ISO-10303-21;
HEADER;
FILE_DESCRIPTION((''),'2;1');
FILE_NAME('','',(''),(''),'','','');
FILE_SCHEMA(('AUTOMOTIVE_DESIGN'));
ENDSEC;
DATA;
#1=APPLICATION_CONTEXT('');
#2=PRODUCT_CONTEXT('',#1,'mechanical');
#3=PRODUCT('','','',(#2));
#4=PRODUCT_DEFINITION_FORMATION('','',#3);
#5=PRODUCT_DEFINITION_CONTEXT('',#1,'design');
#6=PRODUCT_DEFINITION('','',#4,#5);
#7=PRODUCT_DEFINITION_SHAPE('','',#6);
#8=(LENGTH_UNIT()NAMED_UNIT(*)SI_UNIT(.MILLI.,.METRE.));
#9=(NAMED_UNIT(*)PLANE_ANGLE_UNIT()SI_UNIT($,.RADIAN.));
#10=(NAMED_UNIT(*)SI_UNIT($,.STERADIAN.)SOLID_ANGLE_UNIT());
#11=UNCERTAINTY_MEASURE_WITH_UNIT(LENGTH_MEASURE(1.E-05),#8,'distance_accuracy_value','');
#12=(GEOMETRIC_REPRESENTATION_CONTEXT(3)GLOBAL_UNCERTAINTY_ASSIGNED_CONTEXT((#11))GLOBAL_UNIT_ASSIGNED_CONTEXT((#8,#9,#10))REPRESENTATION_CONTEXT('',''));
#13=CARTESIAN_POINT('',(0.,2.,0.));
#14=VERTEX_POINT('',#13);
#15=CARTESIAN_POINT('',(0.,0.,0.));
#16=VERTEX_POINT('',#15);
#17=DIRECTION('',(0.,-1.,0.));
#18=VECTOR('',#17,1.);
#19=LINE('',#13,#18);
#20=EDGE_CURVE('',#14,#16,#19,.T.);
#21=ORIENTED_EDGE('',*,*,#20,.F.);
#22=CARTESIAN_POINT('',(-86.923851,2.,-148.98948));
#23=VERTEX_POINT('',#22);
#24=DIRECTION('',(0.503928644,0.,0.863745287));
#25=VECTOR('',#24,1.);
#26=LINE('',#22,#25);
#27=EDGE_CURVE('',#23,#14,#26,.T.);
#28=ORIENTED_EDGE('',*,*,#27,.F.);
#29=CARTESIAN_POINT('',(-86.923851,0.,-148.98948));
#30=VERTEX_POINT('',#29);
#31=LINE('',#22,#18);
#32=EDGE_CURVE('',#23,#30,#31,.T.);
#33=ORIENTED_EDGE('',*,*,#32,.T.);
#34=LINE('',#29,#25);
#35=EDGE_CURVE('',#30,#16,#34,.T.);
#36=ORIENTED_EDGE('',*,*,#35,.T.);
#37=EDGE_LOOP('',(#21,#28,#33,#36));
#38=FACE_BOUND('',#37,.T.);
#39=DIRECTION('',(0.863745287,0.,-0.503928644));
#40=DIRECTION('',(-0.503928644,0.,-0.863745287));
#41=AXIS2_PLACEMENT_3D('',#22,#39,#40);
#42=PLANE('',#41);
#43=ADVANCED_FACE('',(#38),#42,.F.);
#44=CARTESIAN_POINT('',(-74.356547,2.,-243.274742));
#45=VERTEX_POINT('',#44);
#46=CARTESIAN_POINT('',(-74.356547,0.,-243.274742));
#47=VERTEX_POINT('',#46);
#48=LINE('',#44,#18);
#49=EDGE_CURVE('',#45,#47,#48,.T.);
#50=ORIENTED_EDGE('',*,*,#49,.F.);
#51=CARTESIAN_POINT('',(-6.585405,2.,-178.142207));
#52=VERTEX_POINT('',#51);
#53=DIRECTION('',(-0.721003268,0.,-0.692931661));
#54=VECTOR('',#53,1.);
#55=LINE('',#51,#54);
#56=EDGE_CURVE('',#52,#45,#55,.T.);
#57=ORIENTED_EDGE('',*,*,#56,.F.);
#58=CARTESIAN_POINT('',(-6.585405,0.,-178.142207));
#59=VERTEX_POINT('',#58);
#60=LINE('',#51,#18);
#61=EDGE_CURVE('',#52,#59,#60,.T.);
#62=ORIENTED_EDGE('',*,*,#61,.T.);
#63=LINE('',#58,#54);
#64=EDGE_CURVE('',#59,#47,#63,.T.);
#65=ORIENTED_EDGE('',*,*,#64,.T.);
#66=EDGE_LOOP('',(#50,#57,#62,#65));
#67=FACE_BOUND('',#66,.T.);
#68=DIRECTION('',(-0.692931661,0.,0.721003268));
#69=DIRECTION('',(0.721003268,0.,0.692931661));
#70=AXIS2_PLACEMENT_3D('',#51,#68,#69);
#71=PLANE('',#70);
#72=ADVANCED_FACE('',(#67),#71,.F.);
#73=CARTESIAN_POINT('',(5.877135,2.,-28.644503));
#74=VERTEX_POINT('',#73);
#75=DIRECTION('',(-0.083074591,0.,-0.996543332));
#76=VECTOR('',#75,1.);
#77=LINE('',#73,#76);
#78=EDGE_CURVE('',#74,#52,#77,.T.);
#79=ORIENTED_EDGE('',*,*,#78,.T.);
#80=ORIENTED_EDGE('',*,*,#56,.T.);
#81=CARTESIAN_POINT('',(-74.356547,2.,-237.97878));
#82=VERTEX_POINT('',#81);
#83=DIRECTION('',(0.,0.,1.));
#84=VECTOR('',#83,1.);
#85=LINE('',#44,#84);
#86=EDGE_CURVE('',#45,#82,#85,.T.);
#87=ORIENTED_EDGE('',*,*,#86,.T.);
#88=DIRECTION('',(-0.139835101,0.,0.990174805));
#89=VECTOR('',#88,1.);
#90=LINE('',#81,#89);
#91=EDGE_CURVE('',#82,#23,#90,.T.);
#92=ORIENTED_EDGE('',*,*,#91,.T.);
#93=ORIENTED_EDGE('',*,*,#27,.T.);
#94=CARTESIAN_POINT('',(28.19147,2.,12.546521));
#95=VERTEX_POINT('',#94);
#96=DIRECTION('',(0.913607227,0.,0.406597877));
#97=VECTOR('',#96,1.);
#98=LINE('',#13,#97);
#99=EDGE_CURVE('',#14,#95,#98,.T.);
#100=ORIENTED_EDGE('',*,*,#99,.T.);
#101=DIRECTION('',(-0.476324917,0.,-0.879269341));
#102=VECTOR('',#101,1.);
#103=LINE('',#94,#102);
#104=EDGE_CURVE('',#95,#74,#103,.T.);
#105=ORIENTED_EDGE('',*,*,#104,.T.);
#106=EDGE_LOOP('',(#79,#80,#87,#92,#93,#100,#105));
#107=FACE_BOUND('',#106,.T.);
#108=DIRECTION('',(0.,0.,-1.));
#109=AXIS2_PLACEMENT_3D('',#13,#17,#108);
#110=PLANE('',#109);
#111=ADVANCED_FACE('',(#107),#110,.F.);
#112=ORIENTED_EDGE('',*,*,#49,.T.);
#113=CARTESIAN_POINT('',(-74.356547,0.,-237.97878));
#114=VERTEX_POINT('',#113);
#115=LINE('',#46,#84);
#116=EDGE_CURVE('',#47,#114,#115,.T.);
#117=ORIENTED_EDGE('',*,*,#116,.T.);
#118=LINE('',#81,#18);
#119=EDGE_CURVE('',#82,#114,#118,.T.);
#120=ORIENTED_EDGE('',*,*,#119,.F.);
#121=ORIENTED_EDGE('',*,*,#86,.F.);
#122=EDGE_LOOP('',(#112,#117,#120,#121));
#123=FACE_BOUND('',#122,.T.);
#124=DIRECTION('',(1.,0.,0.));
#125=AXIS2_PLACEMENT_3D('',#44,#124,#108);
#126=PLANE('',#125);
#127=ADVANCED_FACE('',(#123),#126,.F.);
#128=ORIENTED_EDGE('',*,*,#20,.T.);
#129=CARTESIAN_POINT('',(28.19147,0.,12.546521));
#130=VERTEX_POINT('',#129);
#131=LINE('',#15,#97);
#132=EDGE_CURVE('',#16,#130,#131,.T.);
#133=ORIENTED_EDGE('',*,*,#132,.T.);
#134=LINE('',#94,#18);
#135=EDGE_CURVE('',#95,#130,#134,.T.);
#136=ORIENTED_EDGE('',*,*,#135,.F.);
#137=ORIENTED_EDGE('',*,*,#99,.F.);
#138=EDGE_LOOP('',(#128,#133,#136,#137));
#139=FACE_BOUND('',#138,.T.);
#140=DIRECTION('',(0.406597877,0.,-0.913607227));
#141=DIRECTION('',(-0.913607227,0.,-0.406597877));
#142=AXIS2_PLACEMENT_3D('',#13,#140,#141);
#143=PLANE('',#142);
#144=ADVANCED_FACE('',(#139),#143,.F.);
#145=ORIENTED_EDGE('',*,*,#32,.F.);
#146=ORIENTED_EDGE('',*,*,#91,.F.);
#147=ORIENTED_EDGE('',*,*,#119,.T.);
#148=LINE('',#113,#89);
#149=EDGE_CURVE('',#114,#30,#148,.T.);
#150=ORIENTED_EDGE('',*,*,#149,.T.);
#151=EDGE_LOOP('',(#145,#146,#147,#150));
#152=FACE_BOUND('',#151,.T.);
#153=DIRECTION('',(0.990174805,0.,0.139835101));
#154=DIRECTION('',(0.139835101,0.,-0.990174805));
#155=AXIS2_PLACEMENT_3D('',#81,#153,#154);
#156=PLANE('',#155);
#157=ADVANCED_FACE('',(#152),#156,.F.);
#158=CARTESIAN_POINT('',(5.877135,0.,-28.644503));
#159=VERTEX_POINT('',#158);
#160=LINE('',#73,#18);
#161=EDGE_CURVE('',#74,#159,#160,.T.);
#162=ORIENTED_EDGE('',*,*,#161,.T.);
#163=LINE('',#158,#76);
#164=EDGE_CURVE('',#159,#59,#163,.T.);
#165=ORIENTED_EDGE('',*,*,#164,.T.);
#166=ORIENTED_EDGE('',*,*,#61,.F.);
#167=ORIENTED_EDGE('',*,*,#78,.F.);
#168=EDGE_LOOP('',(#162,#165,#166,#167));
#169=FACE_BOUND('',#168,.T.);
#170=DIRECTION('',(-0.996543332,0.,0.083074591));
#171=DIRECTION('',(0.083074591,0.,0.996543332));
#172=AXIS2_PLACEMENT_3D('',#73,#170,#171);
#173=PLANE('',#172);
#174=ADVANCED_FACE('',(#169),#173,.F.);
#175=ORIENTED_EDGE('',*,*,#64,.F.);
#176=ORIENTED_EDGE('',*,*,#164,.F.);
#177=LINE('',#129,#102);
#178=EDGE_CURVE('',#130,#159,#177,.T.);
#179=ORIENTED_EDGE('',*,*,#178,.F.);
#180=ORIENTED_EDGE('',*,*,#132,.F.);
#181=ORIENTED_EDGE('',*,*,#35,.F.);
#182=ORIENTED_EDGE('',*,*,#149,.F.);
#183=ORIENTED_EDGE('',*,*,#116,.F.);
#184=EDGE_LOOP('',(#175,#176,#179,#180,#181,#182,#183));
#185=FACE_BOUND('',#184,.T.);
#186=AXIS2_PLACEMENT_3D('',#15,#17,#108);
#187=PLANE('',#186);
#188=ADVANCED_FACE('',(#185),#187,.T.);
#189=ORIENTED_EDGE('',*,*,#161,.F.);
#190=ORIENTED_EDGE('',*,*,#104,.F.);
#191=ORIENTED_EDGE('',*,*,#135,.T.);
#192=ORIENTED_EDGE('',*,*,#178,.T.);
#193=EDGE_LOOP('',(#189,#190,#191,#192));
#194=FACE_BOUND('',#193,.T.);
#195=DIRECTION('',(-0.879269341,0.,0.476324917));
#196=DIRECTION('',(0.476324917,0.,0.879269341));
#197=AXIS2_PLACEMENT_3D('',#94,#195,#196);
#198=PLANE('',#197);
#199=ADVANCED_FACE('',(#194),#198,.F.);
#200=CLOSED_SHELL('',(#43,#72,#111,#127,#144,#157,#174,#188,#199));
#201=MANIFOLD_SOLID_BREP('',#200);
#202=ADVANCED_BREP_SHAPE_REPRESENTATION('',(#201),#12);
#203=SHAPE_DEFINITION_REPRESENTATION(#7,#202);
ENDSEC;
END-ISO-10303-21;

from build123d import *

# Parameters (mm, degrees)
BOSS_EXTRU_1_DEPTH = 2


with BuildPart() as part:
    # Esquisse1 → Boss.-Extru.1 (new body)
    with BuildSketch(Plane(origin=(0, 0, 0), x_dir=(1, 0, 0), z_dir=(0, 1, 0))):
        Polygon((-6.585404622, 178.142206662), (-74.356547449, 243.274741595), (-74.356547449, 237.978779523), (-86.923851243, 148.989480482), (0, 0), (28.191470123, -12.546520617), (5.877134787, 28.644503046), align=None)
    extrude(amount=BOSS_EXTRU_1_DEPTH)


solid = part.part
